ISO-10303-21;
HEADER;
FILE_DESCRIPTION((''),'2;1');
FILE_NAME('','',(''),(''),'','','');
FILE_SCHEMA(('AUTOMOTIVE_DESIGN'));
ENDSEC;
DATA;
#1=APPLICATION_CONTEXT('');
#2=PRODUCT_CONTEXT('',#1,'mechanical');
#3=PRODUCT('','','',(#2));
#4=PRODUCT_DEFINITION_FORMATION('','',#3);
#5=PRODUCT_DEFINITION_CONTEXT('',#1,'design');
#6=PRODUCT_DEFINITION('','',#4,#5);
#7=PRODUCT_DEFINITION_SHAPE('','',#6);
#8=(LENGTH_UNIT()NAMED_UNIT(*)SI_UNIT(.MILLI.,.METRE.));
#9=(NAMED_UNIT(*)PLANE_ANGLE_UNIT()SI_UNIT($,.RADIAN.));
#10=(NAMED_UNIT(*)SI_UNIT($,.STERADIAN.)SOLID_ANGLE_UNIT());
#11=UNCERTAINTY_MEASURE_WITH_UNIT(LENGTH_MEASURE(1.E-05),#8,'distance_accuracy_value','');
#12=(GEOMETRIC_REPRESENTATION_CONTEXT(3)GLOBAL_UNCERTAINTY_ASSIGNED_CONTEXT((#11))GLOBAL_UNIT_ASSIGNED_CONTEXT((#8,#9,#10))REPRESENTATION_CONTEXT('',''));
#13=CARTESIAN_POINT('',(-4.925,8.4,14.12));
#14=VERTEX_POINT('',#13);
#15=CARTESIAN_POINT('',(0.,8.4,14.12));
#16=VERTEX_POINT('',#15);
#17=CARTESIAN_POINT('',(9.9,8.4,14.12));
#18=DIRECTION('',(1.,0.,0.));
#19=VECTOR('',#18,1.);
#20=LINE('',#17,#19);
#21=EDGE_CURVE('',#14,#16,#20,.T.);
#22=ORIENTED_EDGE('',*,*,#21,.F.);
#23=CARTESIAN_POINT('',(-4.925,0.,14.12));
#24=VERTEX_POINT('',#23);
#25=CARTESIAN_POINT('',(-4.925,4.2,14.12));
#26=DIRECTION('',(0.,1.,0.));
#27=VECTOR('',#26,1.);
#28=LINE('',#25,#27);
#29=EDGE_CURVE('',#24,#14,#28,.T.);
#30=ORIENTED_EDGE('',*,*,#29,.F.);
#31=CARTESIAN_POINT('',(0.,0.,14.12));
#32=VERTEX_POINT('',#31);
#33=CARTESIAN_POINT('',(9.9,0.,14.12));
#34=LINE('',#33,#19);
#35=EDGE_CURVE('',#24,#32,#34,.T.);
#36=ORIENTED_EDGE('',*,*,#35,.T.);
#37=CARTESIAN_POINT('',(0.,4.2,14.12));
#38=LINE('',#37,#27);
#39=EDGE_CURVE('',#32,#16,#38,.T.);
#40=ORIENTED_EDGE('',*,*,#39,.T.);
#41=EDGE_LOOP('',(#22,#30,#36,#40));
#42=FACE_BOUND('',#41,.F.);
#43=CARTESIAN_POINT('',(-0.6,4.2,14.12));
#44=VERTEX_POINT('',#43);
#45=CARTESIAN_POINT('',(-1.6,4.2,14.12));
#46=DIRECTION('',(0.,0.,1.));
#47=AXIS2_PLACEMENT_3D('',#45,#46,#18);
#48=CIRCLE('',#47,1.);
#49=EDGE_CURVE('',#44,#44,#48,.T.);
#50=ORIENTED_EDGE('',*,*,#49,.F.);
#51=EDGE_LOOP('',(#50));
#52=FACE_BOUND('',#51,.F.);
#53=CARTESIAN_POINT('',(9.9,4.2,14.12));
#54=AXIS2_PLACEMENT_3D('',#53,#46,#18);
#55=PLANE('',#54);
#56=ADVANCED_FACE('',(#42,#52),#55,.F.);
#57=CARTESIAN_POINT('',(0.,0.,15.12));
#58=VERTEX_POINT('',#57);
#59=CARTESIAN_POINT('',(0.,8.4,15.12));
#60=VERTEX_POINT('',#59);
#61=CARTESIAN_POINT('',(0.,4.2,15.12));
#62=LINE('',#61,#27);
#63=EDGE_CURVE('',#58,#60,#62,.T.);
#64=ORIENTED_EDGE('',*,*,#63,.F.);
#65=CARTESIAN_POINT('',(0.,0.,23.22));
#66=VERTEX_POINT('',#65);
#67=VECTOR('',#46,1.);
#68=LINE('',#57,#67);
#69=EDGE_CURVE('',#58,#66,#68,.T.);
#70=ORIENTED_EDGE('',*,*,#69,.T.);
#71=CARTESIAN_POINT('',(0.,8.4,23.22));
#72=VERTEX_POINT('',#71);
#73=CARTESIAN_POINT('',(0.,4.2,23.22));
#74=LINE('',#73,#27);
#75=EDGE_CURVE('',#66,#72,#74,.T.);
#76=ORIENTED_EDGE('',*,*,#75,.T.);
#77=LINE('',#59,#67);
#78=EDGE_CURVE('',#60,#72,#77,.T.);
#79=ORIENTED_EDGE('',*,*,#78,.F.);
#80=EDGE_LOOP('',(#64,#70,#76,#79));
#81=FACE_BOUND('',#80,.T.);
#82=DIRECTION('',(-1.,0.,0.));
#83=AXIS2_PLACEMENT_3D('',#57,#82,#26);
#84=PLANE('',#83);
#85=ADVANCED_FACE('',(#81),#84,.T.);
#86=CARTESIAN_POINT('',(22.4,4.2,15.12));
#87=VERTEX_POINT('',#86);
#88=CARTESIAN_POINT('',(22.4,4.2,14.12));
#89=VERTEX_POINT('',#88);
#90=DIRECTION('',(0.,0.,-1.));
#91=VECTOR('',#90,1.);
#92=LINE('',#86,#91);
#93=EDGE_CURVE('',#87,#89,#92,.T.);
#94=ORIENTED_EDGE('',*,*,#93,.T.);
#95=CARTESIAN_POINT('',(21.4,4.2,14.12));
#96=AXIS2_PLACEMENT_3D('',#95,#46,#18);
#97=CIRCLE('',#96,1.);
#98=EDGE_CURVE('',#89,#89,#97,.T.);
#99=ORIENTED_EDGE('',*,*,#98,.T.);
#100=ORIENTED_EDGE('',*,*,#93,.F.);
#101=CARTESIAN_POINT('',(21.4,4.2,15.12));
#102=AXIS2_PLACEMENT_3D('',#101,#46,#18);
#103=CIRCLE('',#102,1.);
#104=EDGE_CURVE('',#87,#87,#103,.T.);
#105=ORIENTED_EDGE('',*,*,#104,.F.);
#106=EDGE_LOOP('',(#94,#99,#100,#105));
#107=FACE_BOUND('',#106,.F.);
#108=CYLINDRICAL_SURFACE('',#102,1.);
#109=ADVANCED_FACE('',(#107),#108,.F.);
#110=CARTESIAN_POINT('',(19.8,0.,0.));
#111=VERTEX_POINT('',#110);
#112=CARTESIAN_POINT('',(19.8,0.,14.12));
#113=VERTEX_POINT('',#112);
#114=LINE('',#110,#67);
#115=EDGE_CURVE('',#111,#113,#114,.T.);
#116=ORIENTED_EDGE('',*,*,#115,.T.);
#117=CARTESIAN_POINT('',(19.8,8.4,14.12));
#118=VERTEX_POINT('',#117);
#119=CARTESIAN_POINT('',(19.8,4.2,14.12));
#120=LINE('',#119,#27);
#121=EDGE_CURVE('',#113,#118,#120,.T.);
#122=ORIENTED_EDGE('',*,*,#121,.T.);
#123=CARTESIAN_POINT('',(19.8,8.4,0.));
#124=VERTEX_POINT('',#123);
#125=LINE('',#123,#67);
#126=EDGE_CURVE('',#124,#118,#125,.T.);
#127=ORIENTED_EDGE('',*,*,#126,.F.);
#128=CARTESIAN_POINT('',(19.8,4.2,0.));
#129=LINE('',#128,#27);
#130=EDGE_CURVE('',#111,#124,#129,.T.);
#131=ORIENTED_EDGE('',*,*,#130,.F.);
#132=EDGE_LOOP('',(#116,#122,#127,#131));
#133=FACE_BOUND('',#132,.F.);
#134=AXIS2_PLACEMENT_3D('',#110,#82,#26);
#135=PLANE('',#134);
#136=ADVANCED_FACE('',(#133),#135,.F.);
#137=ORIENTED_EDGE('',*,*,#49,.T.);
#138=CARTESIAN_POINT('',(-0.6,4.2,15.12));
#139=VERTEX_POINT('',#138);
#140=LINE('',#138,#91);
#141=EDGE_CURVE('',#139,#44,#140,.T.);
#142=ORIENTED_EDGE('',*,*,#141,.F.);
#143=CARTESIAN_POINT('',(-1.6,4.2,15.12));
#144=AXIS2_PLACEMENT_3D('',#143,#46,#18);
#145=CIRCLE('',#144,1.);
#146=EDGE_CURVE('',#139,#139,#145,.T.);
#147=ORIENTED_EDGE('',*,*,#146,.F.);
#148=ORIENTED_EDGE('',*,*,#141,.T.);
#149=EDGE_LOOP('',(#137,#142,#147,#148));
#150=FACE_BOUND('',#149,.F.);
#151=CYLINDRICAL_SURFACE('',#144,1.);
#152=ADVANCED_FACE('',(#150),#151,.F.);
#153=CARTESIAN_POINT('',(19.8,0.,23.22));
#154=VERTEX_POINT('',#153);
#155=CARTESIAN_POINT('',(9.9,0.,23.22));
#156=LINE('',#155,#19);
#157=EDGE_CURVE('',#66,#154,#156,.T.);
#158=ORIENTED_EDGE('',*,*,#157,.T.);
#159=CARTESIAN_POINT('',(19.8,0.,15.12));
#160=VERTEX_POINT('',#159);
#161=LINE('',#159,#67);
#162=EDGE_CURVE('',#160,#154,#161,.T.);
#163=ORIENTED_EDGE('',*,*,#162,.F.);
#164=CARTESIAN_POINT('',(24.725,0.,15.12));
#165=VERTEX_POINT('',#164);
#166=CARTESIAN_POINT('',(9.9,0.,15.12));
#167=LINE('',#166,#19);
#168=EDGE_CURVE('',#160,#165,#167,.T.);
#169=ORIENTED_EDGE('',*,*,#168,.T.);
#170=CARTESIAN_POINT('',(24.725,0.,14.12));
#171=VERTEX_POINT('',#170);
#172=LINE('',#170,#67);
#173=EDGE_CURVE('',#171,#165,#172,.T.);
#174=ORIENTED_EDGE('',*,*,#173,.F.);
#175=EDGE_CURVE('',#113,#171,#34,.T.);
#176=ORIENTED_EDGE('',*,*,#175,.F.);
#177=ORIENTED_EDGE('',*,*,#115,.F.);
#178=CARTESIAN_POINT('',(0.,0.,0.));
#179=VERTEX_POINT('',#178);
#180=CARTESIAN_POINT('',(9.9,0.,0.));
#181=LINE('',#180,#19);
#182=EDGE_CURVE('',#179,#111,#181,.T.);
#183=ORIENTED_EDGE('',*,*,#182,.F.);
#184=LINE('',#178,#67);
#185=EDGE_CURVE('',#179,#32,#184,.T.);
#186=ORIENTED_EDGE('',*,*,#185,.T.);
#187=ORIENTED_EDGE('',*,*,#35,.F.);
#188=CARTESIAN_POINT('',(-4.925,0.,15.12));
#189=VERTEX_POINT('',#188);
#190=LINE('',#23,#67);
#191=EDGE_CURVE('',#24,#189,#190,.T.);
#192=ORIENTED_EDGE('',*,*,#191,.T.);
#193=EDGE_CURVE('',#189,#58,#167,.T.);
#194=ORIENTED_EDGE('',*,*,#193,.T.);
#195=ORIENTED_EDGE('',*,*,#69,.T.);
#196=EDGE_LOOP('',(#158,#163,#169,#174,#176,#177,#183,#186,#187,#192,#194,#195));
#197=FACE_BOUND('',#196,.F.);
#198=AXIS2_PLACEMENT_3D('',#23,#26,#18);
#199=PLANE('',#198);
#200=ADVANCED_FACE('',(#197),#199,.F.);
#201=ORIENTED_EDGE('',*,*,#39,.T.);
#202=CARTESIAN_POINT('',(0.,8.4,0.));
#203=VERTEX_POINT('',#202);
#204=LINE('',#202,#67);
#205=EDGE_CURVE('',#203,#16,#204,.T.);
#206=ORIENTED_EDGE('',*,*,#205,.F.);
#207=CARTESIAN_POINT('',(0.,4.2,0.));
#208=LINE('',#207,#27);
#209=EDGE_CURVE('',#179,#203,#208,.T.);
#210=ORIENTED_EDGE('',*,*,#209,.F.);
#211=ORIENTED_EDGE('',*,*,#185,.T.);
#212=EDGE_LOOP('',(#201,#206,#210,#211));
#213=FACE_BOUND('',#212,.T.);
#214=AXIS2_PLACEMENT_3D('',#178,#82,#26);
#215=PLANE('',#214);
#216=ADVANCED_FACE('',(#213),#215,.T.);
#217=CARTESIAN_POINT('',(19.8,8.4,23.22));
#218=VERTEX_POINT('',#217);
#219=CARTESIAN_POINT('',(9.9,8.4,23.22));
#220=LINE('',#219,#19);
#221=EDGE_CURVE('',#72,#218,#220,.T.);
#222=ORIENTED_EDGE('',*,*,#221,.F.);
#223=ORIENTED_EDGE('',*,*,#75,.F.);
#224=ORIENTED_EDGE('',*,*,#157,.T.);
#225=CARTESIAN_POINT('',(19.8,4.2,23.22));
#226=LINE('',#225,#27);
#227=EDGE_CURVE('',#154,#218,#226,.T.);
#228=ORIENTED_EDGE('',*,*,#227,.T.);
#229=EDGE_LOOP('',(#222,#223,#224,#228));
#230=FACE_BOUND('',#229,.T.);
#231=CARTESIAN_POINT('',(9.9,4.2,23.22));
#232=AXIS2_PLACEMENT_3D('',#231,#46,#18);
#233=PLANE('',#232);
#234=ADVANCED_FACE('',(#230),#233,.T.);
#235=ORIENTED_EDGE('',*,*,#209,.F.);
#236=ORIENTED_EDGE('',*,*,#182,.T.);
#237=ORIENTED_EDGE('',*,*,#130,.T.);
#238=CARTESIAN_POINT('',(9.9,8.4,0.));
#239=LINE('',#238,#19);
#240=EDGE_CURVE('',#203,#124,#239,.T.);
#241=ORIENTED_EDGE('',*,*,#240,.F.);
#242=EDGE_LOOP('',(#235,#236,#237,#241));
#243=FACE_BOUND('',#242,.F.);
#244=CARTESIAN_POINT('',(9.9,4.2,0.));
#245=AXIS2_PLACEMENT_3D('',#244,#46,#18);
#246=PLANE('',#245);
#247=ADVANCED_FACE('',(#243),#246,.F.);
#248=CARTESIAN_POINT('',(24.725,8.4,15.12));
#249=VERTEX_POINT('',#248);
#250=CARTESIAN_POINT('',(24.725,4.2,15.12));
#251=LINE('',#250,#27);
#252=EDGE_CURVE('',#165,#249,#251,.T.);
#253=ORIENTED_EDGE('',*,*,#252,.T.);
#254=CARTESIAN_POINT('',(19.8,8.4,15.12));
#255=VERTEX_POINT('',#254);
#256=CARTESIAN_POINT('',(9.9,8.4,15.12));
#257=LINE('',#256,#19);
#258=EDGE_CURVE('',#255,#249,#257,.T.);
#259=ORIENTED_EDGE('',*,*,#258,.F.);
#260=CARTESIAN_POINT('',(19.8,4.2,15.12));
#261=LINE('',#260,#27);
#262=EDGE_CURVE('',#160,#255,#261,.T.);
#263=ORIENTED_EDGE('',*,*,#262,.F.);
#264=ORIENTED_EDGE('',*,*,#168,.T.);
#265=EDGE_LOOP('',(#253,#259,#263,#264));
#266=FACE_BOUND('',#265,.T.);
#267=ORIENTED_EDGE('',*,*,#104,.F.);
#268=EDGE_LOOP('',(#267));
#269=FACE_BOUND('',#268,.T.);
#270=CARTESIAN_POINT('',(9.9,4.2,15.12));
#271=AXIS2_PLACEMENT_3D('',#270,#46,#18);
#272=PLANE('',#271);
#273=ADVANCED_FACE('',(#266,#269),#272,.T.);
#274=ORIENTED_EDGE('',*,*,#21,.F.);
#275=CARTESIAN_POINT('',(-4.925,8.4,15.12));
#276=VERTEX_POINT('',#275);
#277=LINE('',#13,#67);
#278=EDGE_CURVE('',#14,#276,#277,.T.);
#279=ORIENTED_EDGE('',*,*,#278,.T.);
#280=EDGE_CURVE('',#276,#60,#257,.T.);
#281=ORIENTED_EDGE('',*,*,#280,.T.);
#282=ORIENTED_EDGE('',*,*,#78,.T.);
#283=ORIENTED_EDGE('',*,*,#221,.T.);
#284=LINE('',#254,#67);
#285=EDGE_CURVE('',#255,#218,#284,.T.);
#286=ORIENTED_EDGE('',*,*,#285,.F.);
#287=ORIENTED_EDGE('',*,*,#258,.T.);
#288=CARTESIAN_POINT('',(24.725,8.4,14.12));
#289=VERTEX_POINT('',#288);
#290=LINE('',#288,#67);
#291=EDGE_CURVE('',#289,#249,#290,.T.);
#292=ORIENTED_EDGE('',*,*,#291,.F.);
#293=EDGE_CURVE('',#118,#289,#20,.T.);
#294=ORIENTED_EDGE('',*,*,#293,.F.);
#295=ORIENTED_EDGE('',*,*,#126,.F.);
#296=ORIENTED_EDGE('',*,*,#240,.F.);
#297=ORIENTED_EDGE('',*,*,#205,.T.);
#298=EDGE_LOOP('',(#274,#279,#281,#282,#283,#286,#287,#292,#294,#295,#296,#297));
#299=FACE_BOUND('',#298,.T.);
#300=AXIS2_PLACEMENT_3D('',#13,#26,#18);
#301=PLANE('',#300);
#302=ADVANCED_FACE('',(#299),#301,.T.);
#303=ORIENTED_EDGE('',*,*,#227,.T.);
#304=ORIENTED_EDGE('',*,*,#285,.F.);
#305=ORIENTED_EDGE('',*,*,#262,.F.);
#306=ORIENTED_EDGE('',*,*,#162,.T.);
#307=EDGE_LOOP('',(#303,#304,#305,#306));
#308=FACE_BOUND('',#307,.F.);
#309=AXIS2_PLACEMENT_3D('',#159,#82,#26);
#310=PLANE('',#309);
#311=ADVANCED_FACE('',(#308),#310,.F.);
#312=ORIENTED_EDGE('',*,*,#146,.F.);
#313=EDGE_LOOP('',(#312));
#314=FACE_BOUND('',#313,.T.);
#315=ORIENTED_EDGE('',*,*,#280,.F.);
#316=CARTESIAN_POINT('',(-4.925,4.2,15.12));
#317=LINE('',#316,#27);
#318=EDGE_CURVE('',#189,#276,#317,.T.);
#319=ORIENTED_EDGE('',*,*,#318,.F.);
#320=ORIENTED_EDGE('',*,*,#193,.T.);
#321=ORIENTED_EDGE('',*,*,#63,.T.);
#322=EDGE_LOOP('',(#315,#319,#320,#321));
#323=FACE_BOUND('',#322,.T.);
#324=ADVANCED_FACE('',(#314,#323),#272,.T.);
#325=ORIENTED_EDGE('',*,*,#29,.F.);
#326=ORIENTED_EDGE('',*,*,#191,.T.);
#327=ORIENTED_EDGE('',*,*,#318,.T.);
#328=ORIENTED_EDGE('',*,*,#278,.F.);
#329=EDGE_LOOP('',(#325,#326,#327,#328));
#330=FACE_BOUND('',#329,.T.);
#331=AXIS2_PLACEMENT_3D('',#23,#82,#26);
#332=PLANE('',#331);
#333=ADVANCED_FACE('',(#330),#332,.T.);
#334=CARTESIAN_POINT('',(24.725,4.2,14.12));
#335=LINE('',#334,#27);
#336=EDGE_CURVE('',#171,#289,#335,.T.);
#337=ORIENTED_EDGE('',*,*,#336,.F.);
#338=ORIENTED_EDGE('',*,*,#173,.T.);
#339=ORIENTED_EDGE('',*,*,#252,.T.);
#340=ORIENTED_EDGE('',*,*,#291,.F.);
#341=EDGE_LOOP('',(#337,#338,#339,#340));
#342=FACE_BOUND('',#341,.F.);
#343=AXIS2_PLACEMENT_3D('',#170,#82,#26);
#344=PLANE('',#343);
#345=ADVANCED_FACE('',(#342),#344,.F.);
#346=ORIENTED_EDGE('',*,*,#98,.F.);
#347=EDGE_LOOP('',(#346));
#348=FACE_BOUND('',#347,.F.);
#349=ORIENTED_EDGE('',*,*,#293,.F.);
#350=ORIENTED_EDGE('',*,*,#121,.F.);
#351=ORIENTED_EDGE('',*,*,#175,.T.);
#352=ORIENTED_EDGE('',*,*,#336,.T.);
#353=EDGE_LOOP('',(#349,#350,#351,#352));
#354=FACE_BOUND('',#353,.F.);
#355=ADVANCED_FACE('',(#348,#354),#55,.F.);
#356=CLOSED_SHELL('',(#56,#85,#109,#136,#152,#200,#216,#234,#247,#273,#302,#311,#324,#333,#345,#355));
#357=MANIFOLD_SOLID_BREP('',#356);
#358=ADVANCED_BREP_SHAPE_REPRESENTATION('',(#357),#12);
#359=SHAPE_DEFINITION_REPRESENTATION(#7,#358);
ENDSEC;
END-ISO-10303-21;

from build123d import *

# Parameters (mm, degrees)
SKETCH_W     = 19.8
SKETCH_H     = 8.4
PAD_DEPTH    = 14.12
SKETCH001_W  = 29.65
SKETCH001_H  = 8.4
PAD001_DEPTH = 1
SKETCH002_R  = 1
POCKET_DEPTH = 15.121
SKETCH003_W  = 19.8
SKETCH003_H  = 8.4
PAD002_DEPTH = 8.1


with BuildPart() as part:
    # Sketch → Pad (new body)
    with BuildSketch(Plane.XY):
        with Locations((9.9, 4.2)):
            Rectangle(SKETCH_W, SKETCH_H)
    extrude(amount=PAD_DEPTH)

    # Sketch001 → Pad001 (new body)
    with BuildSketch(Plane.XY.offset(14.12)):
        with Locations((9.9, 4.2)):
            Rectangle(SKETCH001_W, SKETCH001_H)
    extrude(amount=PAD001_DEPTH)

    # Sketch002 → Pocket (cut, through all)
    with BuildSketch(Plane.XY.offset(15.12)):
        with Locations((-1.6, 4.2)):
            Circle(SKETCH002_R)
        with Locations((21.4, 4.2)):
            Circle(SKETCH002_R)
    extrude(amount=-POCKET_DEPTH, mode=Mode.SUBTRACT)

    # Sketch003 → Pad002 (new body)
    with BuildSketch(Plane.XY.offset(15.12)):
        with Locations((9.9, 4.2)):
            Rectangle(SKETCH003_W, SKETCH003_H)
    extrude(amount=PAD002_DEPTH)


solid = part.part
